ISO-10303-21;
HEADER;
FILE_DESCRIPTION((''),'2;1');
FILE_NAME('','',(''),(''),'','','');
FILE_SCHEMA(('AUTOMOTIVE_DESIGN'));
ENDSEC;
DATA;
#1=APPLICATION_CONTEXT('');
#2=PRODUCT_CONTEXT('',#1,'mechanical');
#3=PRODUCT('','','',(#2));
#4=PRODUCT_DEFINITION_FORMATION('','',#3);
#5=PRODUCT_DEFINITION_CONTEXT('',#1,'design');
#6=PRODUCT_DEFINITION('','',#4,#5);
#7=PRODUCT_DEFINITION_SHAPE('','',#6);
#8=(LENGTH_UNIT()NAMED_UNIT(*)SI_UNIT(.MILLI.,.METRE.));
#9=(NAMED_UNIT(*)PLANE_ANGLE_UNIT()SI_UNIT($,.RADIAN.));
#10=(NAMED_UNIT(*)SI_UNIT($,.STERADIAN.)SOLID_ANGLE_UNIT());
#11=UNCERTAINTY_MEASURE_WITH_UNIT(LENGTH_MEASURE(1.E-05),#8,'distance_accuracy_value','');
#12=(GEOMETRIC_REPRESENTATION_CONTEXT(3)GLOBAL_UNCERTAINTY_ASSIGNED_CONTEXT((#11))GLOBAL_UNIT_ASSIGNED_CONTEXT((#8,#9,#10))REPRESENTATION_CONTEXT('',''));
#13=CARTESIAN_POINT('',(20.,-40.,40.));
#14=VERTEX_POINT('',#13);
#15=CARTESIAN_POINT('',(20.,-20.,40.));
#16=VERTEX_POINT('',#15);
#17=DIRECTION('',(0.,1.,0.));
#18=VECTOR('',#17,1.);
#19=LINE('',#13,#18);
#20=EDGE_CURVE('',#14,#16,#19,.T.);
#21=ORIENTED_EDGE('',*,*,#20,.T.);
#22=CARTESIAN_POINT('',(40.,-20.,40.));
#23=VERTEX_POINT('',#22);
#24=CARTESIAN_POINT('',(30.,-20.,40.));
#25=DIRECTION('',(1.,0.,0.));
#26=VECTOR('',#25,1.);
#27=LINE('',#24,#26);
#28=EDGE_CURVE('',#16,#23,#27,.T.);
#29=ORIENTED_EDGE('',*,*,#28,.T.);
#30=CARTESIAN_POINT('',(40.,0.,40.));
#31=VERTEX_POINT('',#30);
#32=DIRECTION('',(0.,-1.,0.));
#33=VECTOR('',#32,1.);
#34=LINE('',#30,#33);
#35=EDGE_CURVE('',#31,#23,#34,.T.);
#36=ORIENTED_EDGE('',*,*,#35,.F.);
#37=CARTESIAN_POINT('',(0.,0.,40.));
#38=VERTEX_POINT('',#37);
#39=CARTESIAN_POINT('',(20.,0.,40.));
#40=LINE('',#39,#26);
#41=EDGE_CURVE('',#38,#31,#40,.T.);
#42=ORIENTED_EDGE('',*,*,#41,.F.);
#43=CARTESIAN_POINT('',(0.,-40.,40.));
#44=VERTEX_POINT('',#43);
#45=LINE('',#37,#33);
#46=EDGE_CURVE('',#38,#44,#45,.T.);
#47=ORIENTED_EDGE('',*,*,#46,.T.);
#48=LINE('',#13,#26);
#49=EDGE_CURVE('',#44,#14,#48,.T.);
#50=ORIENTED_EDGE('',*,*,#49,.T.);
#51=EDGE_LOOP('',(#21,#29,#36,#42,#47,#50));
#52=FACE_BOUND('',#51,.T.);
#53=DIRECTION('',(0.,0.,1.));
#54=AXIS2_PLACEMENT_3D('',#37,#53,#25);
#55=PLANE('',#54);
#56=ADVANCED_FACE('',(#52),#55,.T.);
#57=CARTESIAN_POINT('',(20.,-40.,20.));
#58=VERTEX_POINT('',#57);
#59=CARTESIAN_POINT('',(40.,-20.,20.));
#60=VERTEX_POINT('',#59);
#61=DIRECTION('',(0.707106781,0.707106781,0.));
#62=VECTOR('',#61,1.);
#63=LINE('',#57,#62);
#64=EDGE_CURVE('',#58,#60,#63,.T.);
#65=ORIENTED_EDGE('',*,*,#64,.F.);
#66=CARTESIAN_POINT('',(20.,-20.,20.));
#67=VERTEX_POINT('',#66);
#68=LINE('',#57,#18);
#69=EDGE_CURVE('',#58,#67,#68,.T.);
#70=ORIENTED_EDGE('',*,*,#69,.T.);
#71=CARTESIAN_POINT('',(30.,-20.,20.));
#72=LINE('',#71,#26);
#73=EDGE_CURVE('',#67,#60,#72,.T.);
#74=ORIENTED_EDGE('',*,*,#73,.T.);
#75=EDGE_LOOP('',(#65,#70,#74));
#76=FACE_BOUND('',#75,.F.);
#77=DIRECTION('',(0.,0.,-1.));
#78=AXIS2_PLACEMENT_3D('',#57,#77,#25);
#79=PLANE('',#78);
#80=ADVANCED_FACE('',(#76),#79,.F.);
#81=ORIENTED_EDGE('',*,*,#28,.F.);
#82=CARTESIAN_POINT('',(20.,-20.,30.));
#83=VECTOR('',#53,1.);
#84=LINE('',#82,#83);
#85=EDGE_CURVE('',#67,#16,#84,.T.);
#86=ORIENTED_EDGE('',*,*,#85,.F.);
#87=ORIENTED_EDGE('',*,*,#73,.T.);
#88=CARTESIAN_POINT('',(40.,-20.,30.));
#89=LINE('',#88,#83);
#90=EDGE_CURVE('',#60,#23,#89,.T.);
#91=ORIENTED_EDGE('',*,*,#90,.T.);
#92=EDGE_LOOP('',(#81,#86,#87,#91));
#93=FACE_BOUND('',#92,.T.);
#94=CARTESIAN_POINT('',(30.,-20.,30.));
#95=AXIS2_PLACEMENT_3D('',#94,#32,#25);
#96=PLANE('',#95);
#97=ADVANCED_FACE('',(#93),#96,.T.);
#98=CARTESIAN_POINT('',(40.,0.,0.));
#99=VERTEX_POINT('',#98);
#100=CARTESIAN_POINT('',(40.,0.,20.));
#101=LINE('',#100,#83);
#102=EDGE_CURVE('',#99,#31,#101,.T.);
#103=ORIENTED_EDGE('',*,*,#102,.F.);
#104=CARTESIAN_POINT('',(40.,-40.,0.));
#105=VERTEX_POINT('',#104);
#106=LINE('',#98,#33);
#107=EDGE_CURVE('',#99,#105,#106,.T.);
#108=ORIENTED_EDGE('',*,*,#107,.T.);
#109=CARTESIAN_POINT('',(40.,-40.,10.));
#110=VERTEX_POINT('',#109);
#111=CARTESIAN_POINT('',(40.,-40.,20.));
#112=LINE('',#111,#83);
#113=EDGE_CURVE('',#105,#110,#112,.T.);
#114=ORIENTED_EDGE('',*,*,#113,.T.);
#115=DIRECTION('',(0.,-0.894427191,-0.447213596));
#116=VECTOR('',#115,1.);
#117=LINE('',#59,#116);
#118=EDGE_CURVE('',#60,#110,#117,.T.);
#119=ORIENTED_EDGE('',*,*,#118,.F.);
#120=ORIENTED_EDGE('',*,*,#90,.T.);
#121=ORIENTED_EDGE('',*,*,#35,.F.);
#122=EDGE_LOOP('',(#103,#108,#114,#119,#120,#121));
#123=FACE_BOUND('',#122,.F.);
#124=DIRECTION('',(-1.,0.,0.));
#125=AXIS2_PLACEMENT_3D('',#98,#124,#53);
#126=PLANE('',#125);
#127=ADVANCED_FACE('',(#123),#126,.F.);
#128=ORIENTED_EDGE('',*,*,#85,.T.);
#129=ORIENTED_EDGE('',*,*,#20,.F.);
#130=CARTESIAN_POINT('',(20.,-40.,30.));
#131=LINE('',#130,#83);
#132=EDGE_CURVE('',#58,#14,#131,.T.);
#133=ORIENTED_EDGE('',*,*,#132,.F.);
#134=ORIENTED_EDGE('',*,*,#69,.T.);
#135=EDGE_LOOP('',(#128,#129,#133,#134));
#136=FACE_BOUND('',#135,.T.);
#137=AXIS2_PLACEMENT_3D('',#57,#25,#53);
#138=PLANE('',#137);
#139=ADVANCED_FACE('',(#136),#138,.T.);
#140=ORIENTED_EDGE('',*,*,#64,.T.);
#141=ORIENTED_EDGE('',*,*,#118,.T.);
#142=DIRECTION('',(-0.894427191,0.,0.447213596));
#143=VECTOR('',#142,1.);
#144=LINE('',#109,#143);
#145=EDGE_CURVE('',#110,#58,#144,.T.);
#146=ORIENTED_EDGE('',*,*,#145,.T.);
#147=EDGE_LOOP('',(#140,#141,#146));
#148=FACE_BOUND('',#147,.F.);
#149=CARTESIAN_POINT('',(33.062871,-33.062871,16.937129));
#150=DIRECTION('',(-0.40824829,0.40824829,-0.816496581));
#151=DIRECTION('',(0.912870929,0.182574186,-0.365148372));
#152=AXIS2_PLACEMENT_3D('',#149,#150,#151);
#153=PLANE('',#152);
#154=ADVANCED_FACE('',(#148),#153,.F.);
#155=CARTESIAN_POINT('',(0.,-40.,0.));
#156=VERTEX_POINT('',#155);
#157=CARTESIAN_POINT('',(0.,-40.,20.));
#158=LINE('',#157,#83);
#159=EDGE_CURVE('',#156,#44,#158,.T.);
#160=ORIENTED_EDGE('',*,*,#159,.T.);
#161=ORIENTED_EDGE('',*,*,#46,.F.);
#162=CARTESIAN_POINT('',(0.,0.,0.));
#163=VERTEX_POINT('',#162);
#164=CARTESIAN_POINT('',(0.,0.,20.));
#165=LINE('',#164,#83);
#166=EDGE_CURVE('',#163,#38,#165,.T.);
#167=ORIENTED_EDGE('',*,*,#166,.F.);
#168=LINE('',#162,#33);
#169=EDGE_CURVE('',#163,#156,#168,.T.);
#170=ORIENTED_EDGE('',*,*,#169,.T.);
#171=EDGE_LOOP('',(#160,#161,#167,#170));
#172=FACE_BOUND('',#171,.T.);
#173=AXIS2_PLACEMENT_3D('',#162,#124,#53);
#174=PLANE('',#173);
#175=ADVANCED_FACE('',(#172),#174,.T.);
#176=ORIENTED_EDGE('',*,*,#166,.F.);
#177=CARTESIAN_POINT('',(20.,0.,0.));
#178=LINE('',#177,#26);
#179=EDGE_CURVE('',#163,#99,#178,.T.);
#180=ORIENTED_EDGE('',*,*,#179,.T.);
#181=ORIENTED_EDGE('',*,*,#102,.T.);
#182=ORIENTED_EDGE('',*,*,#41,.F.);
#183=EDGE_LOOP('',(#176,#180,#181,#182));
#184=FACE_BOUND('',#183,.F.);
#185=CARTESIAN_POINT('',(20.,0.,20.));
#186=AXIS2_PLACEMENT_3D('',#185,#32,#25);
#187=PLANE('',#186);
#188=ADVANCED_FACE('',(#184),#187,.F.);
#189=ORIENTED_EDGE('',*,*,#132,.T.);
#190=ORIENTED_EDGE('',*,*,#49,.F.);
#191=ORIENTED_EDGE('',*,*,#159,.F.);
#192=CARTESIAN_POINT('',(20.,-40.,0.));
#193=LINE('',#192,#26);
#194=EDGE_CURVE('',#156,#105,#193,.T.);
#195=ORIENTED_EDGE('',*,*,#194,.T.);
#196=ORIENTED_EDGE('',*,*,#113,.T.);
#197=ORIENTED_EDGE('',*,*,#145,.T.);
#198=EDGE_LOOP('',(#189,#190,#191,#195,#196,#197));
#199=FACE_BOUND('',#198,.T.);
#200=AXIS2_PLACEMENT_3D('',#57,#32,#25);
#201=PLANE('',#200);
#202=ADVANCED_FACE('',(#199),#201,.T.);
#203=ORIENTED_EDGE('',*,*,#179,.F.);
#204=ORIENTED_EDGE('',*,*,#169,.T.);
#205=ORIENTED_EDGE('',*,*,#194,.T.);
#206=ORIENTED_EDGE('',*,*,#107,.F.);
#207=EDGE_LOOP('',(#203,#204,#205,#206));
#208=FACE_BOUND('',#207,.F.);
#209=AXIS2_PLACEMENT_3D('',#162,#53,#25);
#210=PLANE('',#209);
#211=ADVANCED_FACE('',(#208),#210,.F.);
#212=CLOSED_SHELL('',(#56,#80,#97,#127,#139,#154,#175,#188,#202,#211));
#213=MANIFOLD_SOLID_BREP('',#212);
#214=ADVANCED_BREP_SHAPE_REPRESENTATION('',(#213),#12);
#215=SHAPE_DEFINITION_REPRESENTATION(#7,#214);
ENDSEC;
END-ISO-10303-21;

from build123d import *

# Parameters (mm, degrees)
F0_W     = 40
F0_H     = 40
F1_DEPTH = 40
F2_W     = 20
F2_H     = 20
F3_DEPTH = 20
F7_DEPTH = 24.4958974278


with BuildPart() as f1:
    # F0 (on Front) → F1 (new body)
    with BuildSketch(Plane.XZ):
        with Locations((20, 20)):
            Rectangle(F0_W, F0_H)
    extrude(amount=F1_DEPTH)

    # F2 (on face) → F3 (cut)
    with BuildSketch(Plane.XZ.offset(40)):
        with Locations((30, 30)):
            Rectangle(F2_W, F2_H)
    extrude(amount=-F3_DEPTH, mode=Mode.SUBTRACT)

    # F6 (on 3pt) → F7 (cut, through all)
    with BuildSketch(Plane(origin=(16.6666666667, -16.6666666667, 33.3333333333), x_dir=(0.9128709292, 0.1825741858, -0.3651483717), z_dir=(-0.4082482905, 0.4082482905, -0.8164965809))):
        Polygon((3.6514837167, 26.83281573), (25.5603860169, 8.94427191), (25.5603860169, 31.304951685), align=None)
    extrude(amount=-F7_DEPTH, mode=Mode.SUBTRACT)


solid = f1.part
